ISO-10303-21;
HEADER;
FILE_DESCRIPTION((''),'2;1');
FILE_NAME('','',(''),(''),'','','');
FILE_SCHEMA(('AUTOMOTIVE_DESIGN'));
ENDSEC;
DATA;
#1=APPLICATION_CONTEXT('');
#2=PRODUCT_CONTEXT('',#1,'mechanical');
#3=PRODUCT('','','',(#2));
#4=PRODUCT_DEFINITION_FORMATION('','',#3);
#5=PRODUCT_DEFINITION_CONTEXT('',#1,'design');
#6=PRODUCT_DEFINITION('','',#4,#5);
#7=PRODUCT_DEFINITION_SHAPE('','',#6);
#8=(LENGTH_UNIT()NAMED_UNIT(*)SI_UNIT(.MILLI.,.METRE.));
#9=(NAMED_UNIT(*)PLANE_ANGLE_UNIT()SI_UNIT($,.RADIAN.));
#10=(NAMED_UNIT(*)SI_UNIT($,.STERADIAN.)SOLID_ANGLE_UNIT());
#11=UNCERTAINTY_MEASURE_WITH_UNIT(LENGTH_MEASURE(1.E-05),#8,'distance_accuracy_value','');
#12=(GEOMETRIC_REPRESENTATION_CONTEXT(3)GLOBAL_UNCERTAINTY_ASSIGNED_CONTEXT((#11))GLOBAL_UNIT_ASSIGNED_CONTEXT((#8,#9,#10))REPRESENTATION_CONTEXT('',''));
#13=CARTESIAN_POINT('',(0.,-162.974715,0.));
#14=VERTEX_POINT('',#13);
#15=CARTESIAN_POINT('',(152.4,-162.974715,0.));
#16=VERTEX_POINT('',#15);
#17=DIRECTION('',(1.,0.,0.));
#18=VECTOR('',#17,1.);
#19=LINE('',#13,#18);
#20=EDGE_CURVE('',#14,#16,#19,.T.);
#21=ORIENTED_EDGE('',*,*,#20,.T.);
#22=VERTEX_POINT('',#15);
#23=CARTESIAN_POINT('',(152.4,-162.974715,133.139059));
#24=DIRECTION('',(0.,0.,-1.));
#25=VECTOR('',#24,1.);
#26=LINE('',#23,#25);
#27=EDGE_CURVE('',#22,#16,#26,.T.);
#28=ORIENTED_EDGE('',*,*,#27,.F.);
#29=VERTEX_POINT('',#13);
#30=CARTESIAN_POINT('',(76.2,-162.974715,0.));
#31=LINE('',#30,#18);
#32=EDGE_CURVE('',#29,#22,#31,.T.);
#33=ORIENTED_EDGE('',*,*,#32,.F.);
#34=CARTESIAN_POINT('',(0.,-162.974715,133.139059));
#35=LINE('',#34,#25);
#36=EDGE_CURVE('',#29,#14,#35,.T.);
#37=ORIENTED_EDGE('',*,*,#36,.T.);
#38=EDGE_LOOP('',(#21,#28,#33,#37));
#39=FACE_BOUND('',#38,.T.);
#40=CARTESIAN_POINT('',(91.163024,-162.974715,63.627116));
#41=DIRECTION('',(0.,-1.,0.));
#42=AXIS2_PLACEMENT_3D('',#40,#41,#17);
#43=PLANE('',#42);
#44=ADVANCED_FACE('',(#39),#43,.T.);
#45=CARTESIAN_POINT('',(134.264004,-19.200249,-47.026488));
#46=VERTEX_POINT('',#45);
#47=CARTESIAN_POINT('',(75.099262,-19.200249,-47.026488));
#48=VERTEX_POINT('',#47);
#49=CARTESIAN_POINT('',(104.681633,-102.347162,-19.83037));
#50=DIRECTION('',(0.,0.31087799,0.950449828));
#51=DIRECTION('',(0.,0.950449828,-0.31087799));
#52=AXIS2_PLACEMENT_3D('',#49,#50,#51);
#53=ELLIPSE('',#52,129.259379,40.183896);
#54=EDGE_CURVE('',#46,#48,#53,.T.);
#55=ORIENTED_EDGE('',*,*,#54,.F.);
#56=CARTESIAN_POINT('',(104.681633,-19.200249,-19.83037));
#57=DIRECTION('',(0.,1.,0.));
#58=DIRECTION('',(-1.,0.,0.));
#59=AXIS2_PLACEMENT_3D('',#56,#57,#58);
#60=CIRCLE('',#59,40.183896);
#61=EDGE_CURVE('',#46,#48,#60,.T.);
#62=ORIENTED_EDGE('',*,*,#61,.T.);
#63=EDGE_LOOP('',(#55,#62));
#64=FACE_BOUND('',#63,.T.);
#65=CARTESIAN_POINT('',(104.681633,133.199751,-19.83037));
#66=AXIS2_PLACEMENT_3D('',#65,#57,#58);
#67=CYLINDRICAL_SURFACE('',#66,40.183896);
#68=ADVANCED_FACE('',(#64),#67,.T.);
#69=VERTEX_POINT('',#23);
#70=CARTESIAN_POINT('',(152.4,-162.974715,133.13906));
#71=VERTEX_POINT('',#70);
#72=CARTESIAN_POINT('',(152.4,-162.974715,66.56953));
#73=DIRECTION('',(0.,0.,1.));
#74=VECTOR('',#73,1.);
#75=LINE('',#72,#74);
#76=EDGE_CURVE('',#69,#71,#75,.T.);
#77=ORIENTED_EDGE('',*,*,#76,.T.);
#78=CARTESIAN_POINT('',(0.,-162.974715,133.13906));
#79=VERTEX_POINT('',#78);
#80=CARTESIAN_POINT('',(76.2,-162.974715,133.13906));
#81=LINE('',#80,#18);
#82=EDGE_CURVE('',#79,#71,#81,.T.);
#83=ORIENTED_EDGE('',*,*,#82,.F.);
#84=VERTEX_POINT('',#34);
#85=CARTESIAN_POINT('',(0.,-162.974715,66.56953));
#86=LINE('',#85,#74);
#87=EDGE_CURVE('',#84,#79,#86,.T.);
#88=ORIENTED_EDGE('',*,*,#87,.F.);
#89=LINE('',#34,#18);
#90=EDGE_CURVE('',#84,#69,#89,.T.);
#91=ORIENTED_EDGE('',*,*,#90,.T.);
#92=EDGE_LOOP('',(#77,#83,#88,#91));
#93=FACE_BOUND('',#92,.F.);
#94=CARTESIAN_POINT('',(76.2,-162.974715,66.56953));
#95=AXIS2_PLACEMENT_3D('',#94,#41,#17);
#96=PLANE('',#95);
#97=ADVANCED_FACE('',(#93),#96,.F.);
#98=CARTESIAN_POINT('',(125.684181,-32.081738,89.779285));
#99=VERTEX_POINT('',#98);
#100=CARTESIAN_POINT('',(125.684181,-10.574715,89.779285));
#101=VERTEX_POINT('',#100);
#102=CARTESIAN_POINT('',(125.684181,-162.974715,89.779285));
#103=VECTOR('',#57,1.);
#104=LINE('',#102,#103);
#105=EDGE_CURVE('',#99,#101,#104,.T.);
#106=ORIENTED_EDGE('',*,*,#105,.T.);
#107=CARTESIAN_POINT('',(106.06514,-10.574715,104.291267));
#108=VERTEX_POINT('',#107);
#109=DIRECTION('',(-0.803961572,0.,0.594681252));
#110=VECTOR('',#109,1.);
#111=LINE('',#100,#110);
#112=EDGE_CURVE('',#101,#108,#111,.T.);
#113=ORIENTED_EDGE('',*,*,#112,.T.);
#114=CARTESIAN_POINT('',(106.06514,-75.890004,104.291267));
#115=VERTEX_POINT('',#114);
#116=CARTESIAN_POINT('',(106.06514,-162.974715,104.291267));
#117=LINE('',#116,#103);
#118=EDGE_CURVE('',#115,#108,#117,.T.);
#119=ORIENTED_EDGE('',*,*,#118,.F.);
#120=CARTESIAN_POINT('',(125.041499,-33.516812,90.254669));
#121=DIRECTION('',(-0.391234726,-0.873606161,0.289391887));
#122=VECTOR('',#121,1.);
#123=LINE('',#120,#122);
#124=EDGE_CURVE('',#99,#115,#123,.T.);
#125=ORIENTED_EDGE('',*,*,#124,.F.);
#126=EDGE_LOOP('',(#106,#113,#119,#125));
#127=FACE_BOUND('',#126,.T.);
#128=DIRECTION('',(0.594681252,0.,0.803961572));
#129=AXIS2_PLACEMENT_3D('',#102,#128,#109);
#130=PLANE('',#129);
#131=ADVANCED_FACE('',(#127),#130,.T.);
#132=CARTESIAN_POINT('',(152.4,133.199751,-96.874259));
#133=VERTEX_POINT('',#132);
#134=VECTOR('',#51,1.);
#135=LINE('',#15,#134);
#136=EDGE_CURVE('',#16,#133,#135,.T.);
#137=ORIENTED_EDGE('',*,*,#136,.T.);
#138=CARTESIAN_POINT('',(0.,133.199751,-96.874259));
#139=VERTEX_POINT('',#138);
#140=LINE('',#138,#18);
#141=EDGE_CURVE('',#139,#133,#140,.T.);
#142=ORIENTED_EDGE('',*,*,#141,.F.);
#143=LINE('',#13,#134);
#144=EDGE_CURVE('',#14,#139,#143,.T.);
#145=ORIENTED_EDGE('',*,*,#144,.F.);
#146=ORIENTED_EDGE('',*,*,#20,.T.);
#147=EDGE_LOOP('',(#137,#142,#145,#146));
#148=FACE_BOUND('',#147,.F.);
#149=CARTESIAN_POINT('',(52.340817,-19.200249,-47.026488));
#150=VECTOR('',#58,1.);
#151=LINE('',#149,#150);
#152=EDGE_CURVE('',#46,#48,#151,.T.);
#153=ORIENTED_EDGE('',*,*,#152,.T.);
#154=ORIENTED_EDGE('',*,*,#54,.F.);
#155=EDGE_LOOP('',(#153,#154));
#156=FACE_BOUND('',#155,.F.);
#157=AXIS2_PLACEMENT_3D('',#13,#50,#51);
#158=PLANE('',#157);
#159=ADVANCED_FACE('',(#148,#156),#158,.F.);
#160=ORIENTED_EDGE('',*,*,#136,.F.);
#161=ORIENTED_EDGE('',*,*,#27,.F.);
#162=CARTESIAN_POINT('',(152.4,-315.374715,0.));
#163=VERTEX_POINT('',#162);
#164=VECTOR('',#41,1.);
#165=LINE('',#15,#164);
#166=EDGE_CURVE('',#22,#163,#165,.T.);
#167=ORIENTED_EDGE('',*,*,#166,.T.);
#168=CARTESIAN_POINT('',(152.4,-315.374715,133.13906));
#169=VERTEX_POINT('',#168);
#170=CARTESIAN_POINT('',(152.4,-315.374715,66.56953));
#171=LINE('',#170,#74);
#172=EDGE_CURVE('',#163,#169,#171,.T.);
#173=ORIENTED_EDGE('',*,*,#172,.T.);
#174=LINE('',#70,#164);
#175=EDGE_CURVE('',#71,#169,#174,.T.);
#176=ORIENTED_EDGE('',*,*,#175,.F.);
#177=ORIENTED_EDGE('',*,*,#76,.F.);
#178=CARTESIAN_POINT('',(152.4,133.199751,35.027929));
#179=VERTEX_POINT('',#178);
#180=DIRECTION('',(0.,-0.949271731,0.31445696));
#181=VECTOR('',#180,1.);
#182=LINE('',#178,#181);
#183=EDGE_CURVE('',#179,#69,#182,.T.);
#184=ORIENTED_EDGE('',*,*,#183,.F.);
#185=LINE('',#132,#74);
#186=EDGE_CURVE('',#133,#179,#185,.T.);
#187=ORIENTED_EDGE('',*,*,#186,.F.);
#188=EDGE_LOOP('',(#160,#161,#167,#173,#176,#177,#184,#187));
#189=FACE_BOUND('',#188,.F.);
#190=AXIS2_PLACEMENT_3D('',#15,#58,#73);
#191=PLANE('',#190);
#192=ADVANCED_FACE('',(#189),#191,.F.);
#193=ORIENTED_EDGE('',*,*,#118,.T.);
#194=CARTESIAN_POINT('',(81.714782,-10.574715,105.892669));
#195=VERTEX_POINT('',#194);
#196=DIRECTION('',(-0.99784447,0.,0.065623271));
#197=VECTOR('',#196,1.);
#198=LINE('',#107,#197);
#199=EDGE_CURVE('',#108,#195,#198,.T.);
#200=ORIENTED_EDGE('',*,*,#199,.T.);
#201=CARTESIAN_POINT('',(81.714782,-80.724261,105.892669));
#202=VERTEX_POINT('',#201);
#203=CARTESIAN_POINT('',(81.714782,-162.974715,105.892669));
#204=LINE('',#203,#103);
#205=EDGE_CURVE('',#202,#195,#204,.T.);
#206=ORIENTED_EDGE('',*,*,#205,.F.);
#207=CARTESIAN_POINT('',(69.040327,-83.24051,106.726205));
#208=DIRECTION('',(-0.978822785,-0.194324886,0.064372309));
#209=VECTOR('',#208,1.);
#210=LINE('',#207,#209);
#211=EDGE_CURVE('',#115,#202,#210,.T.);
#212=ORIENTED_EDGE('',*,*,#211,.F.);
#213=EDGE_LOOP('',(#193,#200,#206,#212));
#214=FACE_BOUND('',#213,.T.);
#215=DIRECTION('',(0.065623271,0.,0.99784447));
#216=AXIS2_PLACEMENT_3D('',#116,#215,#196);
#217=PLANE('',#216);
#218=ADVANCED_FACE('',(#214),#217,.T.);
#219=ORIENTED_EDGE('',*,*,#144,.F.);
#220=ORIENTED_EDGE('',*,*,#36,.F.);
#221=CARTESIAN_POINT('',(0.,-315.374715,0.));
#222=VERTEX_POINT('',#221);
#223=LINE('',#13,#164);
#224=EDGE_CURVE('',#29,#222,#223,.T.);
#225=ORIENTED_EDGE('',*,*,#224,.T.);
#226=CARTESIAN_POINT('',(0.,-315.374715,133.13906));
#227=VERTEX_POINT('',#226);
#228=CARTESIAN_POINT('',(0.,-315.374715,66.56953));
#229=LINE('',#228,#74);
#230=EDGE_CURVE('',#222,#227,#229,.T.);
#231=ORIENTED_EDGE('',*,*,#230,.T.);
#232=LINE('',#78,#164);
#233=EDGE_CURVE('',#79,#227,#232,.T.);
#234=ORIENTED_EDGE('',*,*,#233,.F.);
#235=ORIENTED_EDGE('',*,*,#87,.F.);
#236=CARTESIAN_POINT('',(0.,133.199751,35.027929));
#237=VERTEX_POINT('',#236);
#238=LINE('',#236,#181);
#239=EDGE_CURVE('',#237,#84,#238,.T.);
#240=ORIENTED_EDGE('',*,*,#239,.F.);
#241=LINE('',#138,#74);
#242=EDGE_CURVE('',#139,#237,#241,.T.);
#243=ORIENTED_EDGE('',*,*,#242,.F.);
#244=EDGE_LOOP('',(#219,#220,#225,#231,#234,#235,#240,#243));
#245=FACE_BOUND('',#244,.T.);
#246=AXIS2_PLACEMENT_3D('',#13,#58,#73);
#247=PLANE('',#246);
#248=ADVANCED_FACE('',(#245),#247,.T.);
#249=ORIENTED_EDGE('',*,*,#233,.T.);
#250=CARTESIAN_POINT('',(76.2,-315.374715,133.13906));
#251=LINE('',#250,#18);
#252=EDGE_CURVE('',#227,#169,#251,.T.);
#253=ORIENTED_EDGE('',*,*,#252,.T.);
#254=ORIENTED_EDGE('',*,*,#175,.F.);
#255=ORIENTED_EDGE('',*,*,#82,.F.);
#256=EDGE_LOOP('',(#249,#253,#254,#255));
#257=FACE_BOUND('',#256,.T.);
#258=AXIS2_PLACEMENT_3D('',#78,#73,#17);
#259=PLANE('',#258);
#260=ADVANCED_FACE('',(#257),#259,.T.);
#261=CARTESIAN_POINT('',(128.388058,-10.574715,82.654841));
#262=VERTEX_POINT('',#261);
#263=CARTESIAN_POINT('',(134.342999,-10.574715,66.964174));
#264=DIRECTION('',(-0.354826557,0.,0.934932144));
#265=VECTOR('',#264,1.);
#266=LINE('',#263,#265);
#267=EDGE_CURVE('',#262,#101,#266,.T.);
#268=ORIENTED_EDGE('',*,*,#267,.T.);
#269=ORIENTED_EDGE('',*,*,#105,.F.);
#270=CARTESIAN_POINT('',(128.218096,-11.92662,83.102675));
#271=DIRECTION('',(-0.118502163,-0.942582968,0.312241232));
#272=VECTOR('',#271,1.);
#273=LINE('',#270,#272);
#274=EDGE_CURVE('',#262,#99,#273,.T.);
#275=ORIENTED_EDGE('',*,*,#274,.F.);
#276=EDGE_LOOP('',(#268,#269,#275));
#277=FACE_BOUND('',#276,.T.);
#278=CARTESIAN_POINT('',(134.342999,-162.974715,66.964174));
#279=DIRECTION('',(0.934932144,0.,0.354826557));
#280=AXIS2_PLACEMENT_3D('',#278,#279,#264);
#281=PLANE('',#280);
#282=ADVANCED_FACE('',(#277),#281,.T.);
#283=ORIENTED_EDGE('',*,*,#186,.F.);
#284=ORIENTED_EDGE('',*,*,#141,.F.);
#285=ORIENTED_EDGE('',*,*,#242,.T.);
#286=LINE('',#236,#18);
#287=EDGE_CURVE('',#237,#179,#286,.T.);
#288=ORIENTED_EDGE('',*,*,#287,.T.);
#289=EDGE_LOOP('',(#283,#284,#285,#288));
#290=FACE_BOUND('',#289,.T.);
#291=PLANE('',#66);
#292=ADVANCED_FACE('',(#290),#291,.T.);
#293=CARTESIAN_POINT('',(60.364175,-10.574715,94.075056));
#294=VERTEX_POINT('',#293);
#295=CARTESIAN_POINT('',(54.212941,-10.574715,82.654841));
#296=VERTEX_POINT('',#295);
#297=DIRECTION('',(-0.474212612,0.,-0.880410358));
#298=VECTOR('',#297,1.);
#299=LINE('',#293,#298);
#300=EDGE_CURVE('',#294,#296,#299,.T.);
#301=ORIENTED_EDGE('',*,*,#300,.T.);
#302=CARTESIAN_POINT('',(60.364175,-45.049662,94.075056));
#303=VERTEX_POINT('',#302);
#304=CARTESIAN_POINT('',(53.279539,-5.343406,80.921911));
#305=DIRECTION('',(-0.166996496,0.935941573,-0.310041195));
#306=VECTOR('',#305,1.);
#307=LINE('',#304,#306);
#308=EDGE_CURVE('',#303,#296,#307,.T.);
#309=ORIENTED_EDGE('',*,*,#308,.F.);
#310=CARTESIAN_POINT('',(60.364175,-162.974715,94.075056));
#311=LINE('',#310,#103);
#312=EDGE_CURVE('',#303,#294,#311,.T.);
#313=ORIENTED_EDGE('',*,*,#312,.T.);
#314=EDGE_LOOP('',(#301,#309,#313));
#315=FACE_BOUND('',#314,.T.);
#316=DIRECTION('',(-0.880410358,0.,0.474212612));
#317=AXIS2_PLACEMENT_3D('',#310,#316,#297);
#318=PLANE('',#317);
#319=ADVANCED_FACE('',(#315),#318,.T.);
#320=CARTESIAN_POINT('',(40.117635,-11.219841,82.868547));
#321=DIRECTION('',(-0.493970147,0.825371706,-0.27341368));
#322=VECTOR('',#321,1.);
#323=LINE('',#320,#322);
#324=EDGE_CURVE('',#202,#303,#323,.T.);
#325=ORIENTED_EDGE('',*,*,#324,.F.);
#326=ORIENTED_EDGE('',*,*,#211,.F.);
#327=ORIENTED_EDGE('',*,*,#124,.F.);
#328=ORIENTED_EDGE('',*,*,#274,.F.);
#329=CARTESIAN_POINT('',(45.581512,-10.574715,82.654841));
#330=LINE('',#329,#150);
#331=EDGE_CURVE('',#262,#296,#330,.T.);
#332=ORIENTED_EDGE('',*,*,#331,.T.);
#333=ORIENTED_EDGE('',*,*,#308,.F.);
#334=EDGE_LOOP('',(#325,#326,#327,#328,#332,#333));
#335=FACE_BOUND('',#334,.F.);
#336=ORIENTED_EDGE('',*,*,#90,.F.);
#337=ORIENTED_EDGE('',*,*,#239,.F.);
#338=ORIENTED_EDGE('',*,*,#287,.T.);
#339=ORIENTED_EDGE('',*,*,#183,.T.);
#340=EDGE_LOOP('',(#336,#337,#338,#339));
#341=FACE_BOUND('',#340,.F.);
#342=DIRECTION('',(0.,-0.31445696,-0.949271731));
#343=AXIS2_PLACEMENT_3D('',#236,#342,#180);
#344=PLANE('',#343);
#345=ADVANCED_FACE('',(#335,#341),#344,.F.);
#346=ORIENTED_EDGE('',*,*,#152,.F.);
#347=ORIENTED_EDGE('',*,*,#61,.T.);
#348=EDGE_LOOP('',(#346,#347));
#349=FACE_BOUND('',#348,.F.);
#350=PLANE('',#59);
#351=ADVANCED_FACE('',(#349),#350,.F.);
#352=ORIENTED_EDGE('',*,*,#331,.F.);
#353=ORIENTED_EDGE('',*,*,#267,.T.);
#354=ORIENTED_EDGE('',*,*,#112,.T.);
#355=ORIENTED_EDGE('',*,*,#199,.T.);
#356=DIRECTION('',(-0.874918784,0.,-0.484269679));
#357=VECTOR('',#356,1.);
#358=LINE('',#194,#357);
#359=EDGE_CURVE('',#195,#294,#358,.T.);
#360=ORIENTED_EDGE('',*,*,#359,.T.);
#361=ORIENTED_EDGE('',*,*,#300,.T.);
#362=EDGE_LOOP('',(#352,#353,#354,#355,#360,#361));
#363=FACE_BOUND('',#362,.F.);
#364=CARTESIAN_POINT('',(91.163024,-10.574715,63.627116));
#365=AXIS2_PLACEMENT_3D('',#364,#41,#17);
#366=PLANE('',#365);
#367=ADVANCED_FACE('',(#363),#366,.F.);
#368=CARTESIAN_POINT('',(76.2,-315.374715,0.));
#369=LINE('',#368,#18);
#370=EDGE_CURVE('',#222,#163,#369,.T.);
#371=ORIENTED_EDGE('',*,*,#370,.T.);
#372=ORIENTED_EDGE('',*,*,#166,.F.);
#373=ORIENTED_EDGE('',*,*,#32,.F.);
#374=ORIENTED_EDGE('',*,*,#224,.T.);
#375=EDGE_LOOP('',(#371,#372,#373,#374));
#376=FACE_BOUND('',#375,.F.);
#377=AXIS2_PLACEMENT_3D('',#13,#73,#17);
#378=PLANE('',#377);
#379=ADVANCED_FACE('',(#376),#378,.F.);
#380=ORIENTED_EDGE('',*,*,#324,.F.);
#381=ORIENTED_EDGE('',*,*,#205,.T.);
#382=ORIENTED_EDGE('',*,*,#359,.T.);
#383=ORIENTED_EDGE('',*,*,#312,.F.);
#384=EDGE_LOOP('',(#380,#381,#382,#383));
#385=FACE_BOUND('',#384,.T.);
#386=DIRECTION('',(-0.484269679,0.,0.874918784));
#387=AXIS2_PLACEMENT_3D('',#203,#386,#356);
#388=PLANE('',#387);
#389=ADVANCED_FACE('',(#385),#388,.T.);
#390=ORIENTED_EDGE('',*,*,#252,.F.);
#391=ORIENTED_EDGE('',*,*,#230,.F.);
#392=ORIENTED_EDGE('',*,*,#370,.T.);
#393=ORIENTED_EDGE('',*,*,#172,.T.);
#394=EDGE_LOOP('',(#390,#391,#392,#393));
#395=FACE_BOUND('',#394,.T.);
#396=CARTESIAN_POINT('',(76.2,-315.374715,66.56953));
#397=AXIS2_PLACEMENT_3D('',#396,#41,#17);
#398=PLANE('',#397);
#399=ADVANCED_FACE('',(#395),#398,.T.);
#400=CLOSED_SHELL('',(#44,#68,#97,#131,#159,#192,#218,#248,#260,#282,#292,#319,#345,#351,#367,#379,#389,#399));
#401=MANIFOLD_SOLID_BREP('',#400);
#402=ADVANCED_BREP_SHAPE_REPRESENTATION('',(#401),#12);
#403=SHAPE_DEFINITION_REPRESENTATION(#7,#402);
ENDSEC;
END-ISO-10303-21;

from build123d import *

# Parameters (mm, degrees)
F1_DEPTH = 152.4
F2_R     = 40.183896
F3_DEPTH = 152.4
F6_DEPTH = 152.4
F4_W     = 152.4
F4_H     = 133.139059
F7_DEPTH = 152.4


with BuildPart() as f1:
    # F0 (on Right) → F1 (new body)
    with BuildSketch(Plane.YZ):
        Polygon((133.199751, -96.874259), (133.199751, 35.027929), (-162.974715, 133.139059), (-162.974715, 0), align=None)
    extrude(amount=F1_DEPTH)

    # F2 (on face) → F3 (join)
    with BuildSketch(Plane(origin=(0, 133.199751, 0), x_dir=(-1, 0, 0), z_dir=(0, 1, 0))):
        with Locations((-104.681633, -19.83037)):
            Circle(F2_R)
    extrude(amount=-F3_DEPTH)

    # F5 (on face) → F6 (join)
    with BuildSketch(Plane.XZ.offset(162.974715)):
        Polygon((50.672299, 48.260029), (65.408134, 28.808561), (88.320964, 20.411739), (112.136128, 25.735493), (129.29248, 43.089571), (134.342999, 66.964174), (125.684181, 89.779285), (106.06514, 104.291267), (81.714782, 105.892669), (60.364175, 94.075056), (48.791984, 72.590438), align=None)
    extrude(amount=-F6_DEPTH)

    # F4 (on face) → F7 (join)
    with BuildSketch(Plane.XZ.offset(162.974715)):
        with Locations((76.2, 66.56953)):
            Rectangle(F4_W, F4_H)
    extrude(amount=F7_DEPTH)


solid = f1.part
